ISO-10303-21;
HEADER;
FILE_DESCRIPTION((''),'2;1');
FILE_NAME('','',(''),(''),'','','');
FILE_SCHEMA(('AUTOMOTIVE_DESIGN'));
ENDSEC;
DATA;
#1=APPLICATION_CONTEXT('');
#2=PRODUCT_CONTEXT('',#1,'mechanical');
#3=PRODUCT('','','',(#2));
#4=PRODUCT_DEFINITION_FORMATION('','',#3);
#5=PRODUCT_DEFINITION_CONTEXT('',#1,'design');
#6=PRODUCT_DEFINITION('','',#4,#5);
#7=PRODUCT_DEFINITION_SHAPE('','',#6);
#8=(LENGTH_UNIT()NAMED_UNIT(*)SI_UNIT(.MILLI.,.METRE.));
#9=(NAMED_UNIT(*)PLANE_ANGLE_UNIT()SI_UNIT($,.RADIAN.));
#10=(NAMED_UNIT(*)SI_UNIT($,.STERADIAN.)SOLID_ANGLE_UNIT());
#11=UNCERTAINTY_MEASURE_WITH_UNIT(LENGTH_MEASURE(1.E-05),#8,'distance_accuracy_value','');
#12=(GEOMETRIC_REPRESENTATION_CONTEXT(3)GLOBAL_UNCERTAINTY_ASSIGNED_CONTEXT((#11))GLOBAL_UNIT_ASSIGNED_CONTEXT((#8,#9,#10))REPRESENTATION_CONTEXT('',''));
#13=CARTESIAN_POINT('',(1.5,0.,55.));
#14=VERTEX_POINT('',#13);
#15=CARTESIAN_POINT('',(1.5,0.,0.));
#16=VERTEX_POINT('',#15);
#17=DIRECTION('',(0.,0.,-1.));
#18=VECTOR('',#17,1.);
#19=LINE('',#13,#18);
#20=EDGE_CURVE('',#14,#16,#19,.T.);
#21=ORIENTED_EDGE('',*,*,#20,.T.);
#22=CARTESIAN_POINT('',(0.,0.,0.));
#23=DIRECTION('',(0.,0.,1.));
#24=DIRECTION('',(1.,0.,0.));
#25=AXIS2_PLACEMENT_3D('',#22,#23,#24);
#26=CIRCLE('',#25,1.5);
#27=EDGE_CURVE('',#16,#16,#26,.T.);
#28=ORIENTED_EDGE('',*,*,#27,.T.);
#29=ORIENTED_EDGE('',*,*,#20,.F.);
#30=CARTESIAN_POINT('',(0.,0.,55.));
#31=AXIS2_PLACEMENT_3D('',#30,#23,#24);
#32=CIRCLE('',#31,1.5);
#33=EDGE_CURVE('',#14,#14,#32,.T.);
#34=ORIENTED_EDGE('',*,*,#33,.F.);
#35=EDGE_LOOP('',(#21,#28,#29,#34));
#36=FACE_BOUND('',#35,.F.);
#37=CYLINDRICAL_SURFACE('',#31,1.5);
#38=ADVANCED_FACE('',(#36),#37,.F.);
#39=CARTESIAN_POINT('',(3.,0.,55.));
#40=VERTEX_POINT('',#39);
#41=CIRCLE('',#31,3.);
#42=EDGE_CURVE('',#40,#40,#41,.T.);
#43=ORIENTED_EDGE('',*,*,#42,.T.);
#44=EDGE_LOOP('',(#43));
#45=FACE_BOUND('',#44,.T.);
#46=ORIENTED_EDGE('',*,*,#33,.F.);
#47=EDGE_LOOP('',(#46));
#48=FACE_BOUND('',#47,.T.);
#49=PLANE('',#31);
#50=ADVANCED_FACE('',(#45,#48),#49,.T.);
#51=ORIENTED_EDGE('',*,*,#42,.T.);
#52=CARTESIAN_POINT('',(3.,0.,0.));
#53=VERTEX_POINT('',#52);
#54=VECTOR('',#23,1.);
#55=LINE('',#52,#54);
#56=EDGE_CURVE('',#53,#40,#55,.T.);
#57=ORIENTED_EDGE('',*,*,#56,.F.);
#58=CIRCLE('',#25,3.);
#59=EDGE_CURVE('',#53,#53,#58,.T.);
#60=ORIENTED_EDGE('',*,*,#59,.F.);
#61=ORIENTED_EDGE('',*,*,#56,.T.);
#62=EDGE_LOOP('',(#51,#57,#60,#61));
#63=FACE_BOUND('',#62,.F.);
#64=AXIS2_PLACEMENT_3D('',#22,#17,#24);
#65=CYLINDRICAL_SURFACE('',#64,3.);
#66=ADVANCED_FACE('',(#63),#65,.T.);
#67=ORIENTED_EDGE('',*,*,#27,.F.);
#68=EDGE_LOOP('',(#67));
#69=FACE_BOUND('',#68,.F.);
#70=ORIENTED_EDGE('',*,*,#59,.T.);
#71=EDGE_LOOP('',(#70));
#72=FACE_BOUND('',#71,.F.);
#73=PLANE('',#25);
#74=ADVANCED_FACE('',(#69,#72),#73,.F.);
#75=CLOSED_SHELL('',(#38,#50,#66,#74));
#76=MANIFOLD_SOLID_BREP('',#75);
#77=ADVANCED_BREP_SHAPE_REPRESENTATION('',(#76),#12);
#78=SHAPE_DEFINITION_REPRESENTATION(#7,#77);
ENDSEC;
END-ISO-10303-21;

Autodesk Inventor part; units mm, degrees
ref_plane "YZ Plane" through (0, 0, 0) normal (1, 0, 0) x (0, 1, 0)
ref_plane "XZ Plane" through (0, 0, 0) normal (0, 1, 0) x (-1, 0, 0)
ref_plane "XY Plane" through (0, 0, 0) normal (0, 0, 1) x (1, 0, 0)
sketch "草图1" plane through (0, 0, 0) normal (0, 0, 1) x (1, 0, 0)
  circle A0 centre (0, 0) radius 3
  dimension "d0" = 6
extrude "拉伸1" add sketch "草图1" along normal blind 55
sketch "草图2" plane through (0, 0, 55) normal (0, 0, 1) x (1, 0, 0)
  circle A0 centre (0, 0) radius 1.5
  dimension "d3" = 3
extrude "拉伸2" cut sketch "草图2" against normal blind 57.5
properties part number "Y轴杠轴"
